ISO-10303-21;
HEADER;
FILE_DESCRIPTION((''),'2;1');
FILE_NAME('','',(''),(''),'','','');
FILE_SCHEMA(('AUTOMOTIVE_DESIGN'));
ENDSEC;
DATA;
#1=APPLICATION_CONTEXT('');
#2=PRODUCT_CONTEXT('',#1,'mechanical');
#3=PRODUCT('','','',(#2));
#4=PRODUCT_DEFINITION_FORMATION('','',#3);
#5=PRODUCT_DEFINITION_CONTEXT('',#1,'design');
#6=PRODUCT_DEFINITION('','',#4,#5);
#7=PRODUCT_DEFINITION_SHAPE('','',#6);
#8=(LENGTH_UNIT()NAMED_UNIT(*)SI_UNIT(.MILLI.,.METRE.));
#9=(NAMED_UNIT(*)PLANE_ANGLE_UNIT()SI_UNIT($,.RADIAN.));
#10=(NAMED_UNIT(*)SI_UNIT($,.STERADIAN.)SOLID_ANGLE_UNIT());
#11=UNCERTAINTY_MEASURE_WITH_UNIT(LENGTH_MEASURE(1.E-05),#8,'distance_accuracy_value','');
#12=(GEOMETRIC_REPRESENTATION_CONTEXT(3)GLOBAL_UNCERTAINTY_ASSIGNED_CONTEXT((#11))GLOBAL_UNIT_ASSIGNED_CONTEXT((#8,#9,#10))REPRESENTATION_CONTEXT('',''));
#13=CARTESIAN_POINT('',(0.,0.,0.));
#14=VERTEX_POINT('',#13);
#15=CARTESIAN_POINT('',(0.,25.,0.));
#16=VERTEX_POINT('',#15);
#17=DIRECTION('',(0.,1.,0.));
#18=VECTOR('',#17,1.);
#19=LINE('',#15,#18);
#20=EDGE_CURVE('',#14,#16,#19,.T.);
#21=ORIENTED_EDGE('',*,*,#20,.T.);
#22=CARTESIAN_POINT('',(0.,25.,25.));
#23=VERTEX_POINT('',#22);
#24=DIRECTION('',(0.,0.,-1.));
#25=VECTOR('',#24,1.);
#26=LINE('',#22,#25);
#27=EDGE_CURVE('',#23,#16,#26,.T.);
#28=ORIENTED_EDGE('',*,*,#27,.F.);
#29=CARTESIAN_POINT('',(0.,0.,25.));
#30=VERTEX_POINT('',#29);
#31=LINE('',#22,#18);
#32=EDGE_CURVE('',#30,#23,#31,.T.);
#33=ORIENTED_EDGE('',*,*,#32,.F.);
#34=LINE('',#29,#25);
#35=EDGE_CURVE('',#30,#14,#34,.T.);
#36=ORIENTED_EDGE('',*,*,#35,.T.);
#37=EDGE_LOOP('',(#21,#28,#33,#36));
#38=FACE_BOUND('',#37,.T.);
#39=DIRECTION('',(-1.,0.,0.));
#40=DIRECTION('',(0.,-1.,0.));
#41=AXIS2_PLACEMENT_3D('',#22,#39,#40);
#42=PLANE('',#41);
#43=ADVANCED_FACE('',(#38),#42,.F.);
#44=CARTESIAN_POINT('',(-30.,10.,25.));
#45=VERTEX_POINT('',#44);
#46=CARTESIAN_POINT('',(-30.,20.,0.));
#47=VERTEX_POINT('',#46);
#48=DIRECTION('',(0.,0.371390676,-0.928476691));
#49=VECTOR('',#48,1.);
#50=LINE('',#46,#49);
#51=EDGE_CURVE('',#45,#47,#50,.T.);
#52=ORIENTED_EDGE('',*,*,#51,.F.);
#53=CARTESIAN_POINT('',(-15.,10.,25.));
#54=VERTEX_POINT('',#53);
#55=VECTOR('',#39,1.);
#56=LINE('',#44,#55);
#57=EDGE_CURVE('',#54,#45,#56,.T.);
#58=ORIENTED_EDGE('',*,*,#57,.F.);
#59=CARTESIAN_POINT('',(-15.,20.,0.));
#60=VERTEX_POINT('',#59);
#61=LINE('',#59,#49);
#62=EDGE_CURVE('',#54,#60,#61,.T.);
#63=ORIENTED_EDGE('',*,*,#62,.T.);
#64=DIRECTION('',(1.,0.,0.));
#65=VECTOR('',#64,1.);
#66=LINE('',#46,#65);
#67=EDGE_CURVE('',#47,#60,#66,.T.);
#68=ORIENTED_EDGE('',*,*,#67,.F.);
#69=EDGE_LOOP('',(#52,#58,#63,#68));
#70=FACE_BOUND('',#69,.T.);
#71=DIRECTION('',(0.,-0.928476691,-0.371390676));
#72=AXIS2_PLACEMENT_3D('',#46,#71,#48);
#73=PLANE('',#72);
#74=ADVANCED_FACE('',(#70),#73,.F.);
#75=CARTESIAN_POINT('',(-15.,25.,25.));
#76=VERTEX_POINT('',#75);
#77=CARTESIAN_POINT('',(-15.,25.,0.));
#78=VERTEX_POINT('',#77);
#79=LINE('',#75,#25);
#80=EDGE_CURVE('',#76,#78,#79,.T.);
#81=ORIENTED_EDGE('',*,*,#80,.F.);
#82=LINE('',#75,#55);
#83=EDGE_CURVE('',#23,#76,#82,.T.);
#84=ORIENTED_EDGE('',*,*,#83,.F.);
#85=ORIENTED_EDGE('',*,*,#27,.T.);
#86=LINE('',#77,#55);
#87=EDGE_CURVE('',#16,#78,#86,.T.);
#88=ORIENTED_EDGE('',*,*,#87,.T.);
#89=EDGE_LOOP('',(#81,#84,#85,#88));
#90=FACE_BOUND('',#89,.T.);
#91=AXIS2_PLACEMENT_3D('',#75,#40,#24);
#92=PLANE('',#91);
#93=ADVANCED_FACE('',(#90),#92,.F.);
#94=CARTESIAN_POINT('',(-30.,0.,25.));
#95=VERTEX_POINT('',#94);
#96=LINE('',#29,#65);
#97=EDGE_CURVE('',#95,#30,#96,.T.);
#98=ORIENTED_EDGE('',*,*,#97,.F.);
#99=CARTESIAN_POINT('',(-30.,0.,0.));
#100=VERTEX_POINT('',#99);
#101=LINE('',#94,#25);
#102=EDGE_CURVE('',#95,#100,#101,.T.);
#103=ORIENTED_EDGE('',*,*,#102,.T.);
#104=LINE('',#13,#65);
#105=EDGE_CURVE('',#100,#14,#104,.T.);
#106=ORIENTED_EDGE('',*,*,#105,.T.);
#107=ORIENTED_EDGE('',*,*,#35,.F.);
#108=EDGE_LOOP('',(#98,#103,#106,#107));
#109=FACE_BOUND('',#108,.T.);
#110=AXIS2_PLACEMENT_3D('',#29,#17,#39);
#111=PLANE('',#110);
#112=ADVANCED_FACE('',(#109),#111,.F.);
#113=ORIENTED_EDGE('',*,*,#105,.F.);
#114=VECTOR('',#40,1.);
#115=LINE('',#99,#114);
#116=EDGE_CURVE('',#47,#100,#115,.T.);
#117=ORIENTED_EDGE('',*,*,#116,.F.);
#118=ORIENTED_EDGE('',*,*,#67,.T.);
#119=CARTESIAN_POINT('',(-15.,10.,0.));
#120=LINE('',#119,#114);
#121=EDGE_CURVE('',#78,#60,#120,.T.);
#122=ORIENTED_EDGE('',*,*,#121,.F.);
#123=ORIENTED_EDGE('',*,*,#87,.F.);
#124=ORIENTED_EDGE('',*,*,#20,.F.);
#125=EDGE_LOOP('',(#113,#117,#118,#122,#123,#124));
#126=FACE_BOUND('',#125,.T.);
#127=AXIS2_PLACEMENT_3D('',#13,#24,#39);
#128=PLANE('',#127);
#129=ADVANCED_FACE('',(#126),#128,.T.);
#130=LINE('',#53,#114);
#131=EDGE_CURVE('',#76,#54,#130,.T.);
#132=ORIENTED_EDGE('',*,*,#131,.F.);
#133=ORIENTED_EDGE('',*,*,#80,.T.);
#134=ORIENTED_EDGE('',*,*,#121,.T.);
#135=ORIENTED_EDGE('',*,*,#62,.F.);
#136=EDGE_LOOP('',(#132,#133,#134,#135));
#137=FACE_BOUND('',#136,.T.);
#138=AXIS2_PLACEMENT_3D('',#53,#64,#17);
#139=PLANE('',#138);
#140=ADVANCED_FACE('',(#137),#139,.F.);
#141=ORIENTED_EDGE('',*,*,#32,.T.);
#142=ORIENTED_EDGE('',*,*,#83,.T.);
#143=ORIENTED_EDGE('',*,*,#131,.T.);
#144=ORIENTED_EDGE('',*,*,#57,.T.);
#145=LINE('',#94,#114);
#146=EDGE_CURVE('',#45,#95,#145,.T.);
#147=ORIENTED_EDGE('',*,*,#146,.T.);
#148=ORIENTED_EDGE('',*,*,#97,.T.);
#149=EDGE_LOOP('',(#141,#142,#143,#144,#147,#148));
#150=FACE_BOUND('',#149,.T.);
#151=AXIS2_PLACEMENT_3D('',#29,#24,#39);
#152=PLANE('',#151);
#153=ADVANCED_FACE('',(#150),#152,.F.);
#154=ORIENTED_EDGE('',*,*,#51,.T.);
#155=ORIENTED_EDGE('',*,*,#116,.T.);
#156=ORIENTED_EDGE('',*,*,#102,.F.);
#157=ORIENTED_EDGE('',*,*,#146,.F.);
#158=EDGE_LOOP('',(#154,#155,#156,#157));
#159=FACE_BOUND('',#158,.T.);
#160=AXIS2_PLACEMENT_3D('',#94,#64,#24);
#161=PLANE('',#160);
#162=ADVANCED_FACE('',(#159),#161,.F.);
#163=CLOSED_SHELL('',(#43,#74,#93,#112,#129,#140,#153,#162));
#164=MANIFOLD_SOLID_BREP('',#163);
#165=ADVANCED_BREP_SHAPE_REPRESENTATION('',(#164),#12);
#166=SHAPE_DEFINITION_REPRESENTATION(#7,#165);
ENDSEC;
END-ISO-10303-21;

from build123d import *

# Parameters (mm, degrees)
BOSS_EXTRUDE1_DEPTH = 25
BOSS_EXTRUDE4_DEPTH = 15


with BuildPart() as part:
    # Sketch1 → Boss-Extrude1 (new body)
    with BuildSketch(Plane.XY):
        Polygon((-15, 25), (0, 25), (0, 0), (-30, 0), (-30, 10), (-15, 10), align=None)
    extrude(amount=BOSS_EXTRUDE1_DEPTH)

    # Sketch5 → Boss-Extrude4 (add)
    with BuildSketch(Plane.ZY.offset(15)):
        Polygon((0, 10), (0, 20), (25, 10), align=None)
    extrude(amount=BOSS_EXTRUDE4_DEPTH)


solid = part.part
